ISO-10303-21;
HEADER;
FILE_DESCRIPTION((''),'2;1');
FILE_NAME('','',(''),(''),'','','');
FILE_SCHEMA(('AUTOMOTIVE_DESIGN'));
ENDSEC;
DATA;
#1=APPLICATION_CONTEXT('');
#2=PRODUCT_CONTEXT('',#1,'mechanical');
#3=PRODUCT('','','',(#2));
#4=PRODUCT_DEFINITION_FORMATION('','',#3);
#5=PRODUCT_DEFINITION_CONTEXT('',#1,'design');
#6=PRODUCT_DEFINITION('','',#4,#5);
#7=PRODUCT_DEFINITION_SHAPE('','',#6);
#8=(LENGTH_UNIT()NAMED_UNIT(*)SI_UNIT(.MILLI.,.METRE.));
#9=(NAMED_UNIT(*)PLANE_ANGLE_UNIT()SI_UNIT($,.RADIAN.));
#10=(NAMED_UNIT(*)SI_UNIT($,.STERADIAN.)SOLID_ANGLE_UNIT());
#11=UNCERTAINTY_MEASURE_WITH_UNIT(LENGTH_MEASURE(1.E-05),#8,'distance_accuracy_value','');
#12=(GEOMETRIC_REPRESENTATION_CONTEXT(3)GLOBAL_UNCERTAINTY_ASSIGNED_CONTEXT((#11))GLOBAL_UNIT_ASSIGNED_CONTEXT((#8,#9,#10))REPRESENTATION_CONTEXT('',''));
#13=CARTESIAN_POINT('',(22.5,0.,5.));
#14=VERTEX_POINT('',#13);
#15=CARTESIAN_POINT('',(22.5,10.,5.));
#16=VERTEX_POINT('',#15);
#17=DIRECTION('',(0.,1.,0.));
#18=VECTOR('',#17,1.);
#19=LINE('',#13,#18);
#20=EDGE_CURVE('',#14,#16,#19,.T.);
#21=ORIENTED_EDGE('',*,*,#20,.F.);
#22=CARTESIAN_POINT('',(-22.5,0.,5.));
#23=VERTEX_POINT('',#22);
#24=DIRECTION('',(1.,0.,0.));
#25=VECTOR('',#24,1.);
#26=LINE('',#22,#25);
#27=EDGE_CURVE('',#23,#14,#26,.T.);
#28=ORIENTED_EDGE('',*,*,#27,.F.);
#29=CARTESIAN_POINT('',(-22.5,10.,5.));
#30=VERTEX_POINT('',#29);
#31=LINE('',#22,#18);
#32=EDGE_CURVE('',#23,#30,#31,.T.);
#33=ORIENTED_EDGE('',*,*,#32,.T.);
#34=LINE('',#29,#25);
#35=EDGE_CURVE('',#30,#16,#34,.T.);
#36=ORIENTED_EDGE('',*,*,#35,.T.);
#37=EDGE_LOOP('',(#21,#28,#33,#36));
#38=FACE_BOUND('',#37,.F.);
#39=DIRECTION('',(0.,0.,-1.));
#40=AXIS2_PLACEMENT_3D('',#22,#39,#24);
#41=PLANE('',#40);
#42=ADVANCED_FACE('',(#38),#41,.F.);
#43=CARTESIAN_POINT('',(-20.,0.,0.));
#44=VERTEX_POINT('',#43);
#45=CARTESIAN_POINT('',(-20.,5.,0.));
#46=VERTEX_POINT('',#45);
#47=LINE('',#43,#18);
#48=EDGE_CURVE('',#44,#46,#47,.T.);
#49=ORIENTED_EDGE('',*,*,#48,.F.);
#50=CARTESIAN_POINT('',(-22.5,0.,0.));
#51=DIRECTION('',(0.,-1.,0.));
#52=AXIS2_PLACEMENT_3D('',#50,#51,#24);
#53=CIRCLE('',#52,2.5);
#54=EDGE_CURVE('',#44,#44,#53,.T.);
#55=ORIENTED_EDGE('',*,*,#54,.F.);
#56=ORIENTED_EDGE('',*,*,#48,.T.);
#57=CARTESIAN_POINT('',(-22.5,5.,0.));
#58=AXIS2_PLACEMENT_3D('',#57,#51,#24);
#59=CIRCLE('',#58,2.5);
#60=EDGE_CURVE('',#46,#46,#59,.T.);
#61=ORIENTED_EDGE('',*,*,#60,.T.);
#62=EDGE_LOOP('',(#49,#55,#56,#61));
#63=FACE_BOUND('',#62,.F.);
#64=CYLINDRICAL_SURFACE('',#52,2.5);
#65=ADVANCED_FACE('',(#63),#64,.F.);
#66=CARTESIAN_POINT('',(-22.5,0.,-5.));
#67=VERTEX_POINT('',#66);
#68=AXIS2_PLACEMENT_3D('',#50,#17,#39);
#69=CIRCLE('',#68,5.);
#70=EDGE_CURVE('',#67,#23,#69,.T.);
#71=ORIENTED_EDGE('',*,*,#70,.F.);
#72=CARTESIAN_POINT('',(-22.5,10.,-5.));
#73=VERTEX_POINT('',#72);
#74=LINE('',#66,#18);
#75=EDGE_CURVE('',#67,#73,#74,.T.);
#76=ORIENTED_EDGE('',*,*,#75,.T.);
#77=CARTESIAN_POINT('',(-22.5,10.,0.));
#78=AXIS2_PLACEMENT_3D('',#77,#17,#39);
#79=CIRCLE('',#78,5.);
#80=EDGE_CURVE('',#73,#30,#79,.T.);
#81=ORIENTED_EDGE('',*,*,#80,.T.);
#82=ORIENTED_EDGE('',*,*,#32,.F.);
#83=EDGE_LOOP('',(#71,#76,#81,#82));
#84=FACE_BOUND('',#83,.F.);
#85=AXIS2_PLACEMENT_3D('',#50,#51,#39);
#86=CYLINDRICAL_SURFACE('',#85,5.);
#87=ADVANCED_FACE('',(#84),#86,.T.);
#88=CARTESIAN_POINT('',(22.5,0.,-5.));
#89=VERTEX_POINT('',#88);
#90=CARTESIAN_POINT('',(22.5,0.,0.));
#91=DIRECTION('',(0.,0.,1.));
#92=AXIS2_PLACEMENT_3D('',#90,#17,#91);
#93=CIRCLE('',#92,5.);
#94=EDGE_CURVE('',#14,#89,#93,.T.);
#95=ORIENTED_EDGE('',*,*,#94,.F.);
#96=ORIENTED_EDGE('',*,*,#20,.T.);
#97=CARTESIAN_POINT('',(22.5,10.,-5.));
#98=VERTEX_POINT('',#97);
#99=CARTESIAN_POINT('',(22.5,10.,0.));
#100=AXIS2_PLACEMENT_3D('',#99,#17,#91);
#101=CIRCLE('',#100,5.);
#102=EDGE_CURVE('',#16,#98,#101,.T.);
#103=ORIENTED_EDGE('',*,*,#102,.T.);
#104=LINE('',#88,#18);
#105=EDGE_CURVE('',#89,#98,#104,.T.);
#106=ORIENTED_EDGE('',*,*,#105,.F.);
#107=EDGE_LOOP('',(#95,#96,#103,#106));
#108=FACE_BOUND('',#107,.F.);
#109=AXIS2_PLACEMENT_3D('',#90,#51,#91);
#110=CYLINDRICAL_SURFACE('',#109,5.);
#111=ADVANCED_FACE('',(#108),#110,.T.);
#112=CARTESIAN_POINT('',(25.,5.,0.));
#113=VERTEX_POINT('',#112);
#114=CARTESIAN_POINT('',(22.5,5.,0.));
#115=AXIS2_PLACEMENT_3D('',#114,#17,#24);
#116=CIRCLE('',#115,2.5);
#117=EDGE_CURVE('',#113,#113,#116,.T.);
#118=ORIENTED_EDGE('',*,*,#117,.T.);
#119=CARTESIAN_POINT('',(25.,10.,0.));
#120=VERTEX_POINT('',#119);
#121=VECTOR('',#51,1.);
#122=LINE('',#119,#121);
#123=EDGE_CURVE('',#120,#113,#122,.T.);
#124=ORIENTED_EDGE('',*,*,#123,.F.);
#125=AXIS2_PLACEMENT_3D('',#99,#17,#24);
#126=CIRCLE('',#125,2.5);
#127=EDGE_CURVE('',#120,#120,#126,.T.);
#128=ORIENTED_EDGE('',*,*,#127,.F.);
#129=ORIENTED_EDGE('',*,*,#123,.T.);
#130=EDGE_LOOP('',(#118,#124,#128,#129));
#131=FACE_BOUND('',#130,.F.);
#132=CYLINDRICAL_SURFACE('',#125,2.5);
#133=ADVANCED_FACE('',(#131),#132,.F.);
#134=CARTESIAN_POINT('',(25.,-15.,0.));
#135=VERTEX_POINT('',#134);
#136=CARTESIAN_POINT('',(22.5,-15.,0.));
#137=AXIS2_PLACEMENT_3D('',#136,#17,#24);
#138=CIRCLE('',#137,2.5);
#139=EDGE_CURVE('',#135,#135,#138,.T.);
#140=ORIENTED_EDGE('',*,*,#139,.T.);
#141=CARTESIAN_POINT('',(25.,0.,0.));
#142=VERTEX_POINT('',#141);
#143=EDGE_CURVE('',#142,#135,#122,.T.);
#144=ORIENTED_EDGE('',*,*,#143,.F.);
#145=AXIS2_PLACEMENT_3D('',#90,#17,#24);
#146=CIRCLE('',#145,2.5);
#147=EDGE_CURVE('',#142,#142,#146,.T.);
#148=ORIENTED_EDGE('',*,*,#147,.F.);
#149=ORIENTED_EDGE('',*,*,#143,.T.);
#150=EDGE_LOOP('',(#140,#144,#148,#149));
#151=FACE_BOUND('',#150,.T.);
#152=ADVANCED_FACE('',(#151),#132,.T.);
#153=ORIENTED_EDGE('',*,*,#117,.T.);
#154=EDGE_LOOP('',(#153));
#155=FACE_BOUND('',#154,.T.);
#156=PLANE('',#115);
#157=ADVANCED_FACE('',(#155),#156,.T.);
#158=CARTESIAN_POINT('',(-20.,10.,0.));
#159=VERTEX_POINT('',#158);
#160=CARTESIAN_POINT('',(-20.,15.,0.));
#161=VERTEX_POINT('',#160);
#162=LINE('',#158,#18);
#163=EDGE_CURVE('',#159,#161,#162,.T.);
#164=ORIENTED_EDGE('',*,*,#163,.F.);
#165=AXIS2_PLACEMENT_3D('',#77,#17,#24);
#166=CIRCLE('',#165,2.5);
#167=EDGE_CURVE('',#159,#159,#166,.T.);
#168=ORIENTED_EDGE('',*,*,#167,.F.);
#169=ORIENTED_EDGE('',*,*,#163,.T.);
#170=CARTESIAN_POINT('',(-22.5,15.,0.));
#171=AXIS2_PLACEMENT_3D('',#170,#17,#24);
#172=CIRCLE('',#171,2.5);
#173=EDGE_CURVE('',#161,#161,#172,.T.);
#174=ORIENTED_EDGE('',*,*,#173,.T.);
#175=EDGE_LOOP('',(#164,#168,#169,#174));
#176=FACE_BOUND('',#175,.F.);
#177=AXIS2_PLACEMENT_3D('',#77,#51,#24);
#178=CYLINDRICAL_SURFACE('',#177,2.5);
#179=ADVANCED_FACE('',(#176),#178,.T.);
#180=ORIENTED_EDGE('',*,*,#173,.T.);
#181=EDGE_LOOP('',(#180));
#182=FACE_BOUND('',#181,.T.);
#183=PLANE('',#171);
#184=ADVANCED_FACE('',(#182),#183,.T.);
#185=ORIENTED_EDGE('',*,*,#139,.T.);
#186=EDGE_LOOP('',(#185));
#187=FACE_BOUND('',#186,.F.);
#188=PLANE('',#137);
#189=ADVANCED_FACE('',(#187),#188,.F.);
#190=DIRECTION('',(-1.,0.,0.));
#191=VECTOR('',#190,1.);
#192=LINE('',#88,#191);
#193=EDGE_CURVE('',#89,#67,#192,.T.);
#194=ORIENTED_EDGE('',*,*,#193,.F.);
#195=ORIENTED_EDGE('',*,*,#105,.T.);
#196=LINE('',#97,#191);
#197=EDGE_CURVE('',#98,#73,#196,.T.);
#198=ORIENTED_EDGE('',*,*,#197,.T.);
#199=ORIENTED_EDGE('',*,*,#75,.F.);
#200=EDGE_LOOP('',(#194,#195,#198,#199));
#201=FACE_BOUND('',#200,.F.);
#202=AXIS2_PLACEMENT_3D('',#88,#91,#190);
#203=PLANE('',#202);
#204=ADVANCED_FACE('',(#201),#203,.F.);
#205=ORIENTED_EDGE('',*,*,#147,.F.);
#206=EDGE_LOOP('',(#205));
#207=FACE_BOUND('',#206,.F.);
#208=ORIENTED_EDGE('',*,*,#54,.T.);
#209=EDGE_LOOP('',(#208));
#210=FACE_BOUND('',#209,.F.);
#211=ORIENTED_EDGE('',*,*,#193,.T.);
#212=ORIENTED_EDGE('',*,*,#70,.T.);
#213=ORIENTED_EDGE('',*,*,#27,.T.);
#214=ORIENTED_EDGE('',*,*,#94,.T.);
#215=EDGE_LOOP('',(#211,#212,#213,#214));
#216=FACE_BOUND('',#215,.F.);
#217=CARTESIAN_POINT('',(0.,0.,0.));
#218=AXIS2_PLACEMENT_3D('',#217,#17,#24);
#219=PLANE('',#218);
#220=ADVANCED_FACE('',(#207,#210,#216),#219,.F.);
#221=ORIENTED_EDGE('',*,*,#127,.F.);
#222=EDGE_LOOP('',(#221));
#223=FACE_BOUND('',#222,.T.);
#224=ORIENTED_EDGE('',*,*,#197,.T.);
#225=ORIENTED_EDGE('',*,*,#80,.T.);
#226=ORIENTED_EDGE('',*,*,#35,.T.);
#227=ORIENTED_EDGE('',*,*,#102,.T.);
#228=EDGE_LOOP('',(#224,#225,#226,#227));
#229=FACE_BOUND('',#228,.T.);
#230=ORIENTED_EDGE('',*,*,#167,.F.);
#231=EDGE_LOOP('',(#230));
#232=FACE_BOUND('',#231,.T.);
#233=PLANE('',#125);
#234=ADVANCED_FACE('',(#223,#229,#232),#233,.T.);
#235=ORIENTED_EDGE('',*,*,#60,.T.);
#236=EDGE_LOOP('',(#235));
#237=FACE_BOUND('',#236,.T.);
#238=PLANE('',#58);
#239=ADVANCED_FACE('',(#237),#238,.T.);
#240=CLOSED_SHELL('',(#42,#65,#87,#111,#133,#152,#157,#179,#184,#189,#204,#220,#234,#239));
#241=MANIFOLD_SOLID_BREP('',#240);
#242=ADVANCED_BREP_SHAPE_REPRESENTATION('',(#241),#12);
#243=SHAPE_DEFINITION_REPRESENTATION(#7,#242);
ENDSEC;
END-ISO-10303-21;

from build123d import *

# Parameters (mm, degrees)
BOSS_EXTRUDE1_DEPTH = 10
SKETCH2_R           = 2.5
BOSS_EXTRUDE2_DEPTH = 5
SKETCH3_R           = 2.5
BOSS_EXTRUDE3_DEPTH = 25
SKETCH5_R           = 2.5
CUT_EXTRUDE1_DEPTH  = 5
SKETCH4_R           = 2.5
CUT_EXTRUDE2_DEPTH  = 5


with BuildPart() as part:
    # Sketch1 → Boss-Extrude1 (new body)
    with BuildSketch(Plane(origin=(0, 0, 0), x_dir=(1, 0, 0), z_dir=(0, 1, 0))):
        with BuildLine():
            Line((-22.5, -5), (22.5, -5))
            ThreePointArc((22.5, -5), (27.5, 0), (22.5, 5))
            Line((22.5, 5), (-22.5, 5))
            ThreePointArc((-22.5, 5), (-27.5, 0), (-22.5, -5))
        make_face()
    extrude(amount=BOSS_EXTRUDE1_DEPTH)

    # Sketch2 → Boss-Extrude2 (add)
    with BuildSketch(Plane(origin=(0, 10, 0), x_dir=(1, 0, 0), z_dir=(0, 1, 0))):
        with Locations((-22.5, 0)):
            Circle(SKETCH2_R)
    extrude(amount=BOSS_EXTRUDE2_DEPTH)

    # Sketch3 → Boss-Extrude3 (add)
    with BuildSketch(Plane(origin=(0, 10, 0), x_dir=(1, 0, 0), z_dir=(0, 1, 0))):
        with Locations((22.5, 0)):
            Circle(SKETCH3_R)
    extrude(amount=-BOSS_EXTRUDE3_DEPTH)

    # Sketch5 → Cut-Extrude1 (cut)
    with BuildSketch(Plane.XZ):
        with Locations((-22.5, 0)):
            Circle(SKETCH5_R)
    extrude(amount=-CUT_EXTRUDE1_DEPTH, mode=Mode.SUBTRACT)

    # Sketch4 → Cut-Extrude2 (cut)
    with BuildSketch(Plane(origin=(0, 10, 0), x_dir=(1, 0, 0), z_dir=(0, 1, 0))):
        with Locations((22.5, 0)):
            Circle(SKETCH4_R)
    extrude(amount=-CUT_EXTRUDE2_DEPTH, mode=Mode.SUBTRACT)


solid = part.part
